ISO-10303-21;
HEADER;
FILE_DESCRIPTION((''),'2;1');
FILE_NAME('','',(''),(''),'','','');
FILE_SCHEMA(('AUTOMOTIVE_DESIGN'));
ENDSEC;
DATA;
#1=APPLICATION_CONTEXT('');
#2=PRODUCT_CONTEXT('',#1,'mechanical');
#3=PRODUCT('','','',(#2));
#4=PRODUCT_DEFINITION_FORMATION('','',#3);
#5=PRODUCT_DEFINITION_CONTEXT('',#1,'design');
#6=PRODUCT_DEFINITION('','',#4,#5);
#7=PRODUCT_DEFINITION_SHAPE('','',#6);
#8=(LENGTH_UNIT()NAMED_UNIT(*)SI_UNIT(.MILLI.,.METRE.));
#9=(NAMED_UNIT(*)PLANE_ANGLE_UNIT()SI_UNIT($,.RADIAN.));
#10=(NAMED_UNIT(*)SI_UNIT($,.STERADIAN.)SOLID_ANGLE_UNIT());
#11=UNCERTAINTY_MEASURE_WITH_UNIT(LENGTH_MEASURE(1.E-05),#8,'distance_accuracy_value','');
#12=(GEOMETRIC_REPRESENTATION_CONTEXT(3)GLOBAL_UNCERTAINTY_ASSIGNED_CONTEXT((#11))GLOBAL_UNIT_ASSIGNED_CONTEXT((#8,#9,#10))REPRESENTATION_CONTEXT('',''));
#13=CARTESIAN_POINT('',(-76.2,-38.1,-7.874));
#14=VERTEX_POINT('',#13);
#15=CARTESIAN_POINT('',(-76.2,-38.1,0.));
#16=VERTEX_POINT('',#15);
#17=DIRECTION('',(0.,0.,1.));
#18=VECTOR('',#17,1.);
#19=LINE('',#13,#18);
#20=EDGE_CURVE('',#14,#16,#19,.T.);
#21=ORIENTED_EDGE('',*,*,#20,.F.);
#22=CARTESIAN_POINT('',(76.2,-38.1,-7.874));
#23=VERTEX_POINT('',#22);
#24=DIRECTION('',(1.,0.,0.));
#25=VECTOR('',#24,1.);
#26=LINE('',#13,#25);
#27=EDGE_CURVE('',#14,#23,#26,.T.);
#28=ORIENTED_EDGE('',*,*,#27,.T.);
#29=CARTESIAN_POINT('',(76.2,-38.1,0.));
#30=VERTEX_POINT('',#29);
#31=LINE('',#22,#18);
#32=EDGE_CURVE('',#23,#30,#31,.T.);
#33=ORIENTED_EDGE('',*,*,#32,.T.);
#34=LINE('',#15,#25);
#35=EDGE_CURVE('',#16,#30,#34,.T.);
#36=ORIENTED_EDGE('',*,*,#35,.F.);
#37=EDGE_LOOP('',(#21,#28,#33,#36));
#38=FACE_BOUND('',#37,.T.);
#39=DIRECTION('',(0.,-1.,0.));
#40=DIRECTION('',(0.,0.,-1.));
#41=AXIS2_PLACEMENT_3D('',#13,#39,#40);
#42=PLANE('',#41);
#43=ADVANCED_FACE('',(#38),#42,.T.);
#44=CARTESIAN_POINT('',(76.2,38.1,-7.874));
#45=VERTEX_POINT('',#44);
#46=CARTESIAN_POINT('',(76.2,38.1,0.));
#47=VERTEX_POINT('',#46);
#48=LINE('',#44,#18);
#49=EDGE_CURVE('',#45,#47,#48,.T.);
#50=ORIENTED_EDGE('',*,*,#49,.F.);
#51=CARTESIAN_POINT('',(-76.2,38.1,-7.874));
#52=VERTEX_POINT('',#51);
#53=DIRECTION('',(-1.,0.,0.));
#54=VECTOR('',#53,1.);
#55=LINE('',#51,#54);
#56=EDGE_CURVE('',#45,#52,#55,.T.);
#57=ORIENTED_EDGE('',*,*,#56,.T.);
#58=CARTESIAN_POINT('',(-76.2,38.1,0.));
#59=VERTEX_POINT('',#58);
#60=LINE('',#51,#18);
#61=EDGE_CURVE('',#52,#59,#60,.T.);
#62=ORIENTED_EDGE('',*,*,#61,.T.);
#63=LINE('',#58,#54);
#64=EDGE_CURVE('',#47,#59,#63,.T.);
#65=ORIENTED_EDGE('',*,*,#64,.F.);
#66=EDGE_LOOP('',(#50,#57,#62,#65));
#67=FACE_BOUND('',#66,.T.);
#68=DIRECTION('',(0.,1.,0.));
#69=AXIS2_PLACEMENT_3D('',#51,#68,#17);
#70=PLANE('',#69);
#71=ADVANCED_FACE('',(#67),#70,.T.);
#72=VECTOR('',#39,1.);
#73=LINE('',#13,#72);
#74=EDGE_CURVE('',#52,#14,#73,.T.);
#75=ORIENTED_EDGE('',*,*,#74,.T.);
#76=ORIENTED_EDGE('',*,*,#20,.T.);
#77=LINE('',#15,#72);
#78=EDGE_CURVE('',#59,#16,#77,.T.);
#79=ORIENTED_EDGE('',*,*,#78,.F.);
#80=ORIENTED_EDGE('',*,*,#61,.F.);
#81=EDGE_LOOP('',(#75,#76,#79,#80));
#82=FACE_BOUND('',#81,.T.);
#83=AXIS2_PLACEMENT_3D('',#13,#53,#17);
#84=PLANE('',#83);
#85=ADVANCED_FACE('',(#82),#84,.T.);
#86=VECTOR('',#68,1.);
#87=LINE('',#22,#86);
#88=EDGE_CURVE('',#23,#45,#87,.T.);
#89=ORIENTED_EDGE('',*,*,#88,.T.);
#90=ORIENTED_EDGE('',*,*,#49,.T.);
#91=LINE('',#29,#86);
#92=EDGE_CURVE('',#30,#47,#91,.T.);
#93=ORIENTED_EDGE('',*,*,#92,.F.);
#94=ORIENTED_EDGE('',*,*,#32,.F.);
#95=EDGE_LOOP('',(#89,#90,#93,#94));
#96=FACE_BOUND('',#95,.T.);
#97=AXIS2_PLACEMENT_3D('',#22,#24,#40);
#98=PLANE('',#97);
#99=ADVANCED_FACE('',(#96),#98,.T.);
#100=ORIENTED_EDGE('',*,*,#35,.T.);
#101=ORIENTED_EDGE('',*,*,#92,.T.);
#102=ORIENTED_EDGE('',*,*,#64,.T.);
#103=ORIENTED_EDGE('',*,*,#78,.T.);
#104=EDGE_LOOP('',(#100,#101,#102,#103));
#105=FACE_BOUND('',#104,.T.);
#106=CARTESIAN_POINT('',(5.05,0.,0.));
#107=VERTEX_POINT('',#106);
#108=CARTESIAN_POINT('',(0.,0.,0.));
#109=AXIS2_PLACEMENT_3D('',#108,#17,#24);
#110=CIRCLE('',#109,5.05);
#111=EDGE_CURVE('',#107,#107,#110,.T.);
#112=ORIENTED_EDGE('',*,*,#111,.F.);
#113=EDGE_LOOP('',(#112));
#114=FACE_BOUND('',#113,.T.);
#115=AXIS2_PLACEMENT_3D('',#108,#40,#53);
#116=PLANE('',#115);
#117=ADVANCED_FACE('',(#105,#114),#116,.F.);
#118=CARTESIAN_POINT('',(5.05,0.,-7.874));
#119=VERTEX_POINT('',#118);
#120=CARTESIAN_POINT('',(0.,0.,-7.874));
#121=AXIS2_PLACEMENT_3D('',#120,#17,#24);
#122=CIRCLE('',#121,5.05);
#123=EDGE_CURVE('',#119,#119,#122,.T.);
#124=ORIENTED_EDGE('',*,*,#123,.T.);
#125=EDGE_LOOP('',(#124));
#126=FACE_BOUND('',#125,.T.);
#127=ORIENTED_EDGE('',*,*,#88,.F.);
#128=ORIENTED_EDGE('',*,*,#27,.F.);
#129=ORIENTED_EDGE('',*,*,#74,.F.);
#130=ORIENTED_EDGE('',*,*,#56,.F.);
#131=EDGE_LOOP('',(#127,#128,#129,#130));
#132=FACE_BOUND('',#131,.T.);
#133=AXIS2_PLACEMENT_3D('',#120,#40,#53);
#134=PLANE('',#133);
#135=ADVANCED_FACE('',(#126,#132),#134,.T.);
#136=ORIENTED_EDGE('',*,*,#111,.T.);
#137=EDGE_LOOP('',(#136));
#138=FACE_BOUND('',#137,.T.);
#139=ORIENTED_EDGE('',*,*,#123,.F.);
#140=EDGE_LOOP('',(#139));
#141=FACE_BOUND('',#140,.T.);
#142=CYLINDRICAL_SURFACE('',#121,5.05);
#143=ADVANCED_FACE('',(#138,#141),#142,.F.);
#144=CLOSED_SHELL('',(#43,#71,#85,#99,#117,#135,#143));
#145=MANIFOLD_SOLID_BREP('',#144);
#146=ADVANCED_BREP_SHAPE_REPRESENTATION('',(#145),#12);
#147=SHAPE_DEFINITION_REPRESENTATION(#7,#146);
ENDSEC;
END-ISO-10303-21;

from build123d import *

# Parameters (mm, degrees)
SKETCH1_W           = 152.4
SKETCH1_H           = 76.2
BOSS_EXTRUDE1_DEPTH = 7.874
SKETCH2_R           = 5.05000006
CUT_EXTRUDE1_DEPTH  = 7.874


with BuildPart() as part:
    # Sketch1 → Boss-Extrude1 (new body)
    with BuildSketch(Plane.XY):
        Rectangle(SKETCH1_W, SKETCH1_H)
    extrude(amount=-BOSS_EXTRUDE1_DEPTH)

    # Sketch2 → Cut-Extrude1 (cut)
    with BuildSketch(Plane.XY):
        Circle(SKETCH2_R)
    extrude(amount=-CUT_EXTRUDE1_DEPTH, mode=Mode.SUBTRACT)


solid = part.part
